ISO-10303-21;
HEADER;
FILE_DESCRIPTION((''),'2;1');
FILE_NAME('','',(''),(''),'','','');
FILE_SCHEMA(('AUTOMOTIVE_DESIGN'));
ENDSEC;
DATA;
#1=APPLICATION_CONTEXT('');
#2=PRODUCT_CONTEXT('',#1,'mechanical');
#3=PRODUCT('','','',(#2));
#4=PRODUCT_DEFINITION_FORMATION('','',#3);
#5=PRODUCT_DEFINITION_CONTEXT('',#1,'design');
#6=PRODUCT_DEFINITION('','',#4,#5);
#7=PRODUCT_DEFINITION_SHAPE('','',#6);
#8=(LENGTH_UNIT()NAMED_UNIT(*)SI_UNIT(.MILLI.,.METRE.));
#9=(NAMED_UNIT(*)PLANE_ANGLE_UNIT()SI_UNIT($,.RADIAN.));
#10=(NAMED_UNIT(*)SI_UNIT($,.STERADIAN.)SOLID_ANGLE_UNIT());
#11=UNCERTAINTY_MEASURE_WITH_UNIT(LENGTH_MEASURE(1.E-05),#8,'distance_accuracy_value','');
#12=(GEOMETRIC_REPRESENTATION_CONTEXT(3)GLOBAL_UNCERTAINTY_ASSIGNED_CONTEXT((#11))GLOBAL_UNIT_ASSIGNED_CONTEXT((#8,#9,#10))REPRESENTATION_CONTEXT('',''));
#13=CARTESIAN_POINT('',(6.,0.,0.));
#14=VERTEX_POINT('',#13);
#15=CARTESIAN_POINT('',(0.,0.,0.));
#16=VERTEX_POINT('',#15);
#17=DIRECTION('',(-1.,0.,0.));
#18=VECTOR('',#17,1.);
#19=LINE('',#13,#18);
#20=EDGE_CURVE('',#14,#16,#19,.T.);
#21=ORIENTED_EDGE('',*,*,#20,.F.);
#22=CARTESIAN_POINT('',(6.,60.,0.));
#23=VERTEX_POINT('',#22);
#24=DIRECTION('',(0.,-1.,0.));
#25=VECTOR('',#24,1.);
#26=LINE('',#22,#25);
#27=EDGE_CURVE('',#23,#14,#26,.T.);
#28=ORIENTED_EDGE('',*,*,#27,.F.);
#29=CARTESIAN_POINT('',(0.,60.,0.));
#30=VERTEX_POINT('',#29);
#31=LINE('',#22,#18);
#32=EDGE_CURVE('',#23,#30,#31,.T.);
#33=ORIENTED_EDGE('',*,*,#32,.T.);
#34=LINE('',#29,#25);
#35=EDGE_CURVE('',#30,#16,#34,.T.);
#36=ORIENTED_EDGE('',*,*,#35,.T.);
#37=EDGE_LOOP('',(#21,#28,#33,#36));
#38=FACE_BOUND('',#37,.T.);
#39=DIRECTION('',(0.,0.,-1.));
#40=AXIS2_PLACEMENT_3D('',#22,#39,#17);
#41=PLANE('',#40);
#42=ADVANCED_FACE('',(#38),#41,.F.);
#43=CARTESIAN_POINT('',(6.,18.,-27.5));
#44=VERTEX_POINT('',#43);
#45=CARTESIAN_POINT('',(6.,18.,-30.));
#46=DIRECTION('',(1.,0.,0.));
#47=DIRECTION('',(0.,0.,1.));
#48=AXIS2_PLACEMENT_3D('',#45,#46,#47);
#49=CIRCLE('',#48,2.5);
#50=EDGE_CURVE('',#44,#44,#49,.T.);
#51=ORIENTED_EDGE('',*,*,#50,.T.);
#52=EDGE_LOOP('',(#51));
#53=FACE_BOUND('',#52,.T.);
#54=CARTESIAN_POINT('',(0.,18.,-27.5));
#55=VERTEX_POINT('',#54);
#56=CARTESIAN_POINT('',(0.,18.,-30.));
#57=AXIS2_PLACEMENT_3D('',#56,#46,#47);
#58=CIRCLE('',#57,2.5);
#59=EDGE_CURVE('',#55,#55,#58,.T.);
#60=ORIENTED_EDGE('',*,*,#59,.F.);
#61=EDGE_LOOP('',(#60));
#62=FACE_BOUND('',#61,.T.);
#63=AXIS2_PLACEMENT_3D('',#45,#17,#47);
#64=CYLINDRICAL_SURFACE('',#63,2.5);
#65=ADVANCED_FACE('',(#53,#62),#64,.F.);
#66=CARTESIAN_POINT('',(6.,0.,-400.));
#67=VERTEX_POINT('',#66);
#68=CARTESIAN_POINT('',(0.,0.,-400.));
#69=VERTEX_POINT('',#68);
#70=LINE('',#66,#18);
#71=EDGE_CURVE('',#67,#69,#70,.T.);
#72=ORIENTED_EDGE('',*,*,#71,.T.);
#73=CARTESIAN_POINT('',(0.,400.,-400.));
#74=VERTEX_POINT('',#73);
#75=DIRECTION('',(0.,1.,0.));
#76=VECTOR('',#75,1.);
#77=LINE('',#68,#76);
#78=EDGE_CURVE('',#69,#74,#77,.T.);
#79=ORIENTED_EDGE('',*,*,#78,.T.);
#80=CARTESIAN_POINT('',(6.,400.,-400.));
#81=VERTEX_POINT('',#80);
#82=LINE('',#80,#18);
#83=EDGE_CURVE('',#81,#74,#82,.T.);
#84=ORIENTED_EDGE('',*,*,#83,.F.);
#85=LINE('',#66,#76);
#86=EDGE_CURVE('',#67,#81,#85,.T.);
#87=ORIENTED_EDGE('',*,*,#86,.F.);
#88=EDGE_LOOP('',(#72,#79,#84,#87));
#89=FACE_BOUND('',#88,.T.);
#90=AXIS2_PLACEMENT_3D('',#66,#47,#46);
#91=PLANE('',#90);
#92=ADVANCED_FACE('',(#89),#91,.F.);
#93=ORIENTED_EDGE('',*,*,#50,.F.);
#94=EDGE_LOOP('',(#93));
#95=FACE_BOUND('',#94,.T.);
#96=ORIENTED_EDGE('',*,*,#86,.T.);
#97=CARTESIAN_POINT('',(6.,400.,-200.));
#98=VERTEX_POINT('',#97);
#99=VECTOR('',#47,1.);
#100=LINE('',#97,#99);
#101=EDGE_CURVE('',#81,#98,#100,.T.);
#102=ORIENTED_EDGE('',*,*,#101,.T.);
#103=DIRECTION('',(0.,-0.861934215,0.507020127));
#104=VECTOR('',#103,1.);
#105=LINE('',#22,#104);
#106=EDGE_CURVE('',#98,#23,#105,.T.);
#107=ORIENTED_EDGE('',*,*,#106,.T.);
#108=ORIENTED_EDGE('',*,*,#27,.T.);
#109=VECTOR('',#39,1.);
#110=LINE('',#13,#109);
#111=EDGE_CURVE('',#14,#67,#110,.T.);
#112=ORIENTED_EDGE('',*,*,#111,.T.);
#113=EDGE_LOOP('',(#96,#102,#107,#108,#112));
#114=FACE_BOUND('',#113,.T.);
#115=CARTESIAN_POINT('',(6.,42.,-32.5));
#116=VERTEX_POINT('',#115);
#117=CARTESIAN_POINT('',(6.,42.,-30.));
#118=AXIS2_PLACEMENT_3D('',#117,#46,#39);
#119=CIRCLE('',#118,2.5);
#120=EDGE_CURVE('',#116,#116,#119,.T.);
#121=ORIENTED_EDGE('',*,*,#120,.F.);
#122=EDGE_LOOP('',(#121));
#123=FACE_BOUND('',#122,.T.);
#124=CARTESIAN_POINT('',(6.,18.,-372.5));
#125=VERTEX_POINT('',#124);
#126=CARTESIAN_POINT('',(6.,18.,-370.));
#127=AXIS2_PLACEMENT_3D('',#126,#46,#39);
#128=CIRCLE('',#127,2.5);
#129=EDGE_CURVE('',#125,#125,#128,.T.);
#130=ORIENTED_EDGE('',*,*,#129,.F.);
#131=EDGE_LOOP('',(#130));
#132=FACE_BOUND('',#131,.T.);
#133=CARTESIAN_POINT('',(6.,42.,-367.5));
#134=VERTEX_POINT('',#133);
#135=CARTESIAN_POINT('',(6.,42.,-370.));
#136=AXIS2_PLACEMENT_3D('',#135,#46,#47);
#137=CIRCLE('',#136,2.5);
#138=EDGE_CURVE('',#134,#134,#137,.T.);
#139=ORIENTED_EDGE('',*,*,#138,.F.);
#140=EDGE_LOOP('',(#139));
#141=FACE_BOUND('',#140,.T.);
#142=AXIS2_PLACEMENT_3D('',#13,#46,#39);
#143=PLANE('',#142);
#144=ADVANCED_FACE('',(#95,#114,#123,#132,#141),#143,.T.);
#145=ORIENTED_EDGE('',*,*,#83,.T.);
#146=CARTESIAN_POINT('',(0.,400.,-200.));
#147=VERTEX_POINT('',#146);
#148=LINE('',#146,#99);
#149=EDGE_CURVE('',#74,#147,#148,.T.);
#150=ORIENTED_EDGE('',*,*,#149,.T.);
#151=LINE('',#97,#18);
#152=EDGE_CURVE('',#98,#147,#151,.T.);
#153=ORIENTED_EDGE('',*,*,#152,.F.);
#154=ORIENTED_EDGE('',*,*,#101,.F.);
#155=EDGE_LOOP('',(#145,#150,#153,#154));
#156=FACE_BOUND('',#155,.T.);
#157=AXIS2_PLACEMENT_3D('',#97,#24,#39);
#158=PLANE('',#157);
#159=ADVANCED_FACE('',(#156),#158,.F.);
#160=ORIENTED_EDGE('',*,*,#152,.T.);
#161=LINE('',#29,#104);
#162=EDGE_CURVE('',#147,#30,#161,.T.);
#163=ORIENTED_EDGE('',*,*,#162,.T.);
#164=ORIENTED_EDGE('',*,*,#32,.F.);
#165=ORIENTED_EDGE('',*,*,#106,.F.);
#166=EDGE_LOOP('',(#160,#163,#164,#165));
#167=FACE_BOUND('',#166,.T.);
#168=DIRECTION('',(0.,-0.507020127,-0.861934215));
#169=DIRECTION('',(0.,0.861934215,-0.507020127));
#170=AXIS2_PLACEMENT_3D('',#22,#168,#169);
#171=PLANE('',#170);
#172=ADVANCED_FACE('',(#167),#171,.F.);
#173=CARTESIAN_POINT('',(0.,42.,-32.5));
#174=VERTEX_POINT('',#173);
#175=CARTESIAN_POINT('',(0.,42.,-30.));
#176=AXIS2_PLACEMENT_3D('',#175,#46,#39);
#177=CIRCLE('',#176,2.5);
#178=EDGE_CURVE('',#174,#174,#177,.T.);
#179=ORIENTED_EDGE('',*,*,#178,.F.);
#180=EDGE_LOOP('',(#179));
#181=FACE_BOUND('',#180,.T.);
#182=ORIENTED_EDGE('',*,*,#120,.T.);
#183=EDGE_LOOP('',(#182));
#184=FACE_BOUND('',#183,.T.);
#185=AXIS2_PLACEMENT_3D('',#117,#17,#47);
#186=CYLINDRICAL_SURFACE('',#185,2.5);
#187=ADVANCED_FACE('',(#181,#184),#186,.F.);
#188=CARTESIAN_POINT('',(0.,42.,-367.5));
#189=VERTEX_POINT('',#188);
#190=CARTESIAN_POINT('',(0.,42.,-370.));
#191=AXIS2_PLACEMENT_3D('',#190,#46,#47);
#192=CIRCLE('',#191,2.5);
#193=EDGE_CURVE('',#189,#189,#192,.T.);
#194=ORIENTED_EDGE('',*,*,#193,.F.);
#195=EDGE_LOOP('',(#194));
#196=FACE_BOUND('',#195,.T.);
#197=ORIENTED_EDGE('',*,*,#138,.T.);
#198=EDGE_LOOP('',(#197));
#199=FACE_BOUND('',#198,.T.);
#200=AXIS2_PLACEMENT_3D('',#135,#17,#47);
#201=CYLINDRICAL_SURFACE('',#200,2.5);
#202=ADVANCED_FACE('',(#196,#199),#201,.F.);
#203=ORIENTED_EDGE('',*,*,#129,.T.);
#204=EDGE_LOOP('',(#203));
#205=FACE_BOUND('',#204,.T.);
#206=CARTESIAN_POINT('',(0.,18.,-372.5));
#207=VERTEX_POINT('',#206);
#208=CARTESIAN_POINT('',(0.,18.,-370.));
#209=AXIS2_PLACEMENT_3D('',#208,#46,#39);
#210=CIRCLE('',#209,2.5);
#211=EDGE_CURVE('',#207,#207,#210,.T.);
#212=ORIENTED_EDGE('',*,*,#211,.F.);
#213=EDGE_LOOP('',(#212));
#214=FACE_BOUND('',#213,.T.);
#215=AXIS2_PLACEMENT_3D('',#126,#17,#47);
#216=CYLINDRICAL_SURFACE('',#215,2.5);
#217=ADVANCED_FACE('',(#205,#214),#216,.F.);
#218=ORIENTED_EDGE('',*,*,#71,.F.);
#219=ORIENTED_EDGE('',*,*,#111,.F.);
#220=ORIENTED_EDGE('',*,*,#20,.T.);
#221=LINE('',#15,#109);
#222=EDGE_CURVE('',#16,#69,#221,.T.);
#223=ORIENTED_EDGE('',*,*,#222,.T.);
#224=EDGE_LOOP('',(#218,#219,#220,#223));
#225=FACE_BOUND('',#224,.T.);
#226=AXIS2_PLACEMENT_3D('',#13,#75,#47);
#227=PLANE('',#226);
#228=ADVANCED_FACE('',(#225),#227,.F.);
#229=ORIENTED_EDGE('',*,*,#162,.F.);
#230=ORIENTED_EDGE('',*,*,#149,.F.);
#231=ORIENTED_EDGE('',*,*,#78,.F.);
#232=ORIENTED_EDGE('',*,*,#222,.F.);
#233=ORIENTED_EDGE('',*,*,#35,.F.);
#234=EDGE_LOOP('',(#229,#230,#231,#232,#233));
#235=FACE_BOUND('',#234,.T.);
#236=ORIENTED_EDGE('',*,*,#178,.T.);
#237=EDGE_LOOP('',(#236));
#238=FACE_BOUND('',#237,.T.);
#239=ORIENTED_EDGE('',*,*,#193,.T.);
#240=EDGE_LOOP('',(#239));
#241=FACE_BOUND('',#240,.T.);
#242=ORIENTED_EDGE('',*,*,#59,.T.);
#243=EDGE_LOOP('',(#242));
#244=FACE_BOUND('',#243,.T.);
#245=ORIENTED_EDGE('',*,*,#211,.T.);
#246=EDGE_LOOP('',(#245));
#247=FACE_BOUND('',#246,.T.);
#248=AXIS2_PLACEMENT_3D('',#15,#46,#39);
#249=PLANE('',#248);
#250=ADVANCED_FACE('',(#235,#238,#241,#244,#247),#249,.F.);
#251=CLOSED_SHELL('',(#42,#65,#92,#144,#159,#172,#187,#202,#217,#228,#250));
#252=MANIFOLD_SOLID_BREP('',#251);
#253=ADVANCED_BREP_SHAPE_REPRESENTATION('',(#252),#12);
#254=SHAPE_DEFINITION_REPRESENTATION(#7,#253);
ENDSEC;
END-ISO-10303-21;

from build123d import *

# Parameters (mm, degrees)
SKETCH1_R           = 2.5
BOSS_EXTRUDE1_DEPTH = 6


with BuildPart() as part:
    # Sketch1 → Boss-Extrude1 (new body)
    with BuildSketch(Plane(origin=(0, 0, 0), x_dir=(0, 0, -1), z_dir=(1, 0, 0))):
        Polygon((0, 0), (400, 0), (400, 400), (200, 400), (0, 60), align=None)
        with Locations((30, 42)):
            Circle(SKETCH1_R, mode=Mode.SUBTRACT)
        with Locations(Location((30, 18, 0), (0, 0, 180))):
            Circle(SKETCH1_R, mode=Mode.SUBTRACT)
        with Locations((370, 18)):
            Circle(SKETCH1_R, mode=Mode.SUBTRACT)
        with Locations(Location((370, 42, 0), (0, 0, 180))):
            Circle(SKETCH1_R, mode=Mode.SUBTRACT)
    extrude(amount=BOSS_EXTRUDE1_DEPTH)


solid = part.part
